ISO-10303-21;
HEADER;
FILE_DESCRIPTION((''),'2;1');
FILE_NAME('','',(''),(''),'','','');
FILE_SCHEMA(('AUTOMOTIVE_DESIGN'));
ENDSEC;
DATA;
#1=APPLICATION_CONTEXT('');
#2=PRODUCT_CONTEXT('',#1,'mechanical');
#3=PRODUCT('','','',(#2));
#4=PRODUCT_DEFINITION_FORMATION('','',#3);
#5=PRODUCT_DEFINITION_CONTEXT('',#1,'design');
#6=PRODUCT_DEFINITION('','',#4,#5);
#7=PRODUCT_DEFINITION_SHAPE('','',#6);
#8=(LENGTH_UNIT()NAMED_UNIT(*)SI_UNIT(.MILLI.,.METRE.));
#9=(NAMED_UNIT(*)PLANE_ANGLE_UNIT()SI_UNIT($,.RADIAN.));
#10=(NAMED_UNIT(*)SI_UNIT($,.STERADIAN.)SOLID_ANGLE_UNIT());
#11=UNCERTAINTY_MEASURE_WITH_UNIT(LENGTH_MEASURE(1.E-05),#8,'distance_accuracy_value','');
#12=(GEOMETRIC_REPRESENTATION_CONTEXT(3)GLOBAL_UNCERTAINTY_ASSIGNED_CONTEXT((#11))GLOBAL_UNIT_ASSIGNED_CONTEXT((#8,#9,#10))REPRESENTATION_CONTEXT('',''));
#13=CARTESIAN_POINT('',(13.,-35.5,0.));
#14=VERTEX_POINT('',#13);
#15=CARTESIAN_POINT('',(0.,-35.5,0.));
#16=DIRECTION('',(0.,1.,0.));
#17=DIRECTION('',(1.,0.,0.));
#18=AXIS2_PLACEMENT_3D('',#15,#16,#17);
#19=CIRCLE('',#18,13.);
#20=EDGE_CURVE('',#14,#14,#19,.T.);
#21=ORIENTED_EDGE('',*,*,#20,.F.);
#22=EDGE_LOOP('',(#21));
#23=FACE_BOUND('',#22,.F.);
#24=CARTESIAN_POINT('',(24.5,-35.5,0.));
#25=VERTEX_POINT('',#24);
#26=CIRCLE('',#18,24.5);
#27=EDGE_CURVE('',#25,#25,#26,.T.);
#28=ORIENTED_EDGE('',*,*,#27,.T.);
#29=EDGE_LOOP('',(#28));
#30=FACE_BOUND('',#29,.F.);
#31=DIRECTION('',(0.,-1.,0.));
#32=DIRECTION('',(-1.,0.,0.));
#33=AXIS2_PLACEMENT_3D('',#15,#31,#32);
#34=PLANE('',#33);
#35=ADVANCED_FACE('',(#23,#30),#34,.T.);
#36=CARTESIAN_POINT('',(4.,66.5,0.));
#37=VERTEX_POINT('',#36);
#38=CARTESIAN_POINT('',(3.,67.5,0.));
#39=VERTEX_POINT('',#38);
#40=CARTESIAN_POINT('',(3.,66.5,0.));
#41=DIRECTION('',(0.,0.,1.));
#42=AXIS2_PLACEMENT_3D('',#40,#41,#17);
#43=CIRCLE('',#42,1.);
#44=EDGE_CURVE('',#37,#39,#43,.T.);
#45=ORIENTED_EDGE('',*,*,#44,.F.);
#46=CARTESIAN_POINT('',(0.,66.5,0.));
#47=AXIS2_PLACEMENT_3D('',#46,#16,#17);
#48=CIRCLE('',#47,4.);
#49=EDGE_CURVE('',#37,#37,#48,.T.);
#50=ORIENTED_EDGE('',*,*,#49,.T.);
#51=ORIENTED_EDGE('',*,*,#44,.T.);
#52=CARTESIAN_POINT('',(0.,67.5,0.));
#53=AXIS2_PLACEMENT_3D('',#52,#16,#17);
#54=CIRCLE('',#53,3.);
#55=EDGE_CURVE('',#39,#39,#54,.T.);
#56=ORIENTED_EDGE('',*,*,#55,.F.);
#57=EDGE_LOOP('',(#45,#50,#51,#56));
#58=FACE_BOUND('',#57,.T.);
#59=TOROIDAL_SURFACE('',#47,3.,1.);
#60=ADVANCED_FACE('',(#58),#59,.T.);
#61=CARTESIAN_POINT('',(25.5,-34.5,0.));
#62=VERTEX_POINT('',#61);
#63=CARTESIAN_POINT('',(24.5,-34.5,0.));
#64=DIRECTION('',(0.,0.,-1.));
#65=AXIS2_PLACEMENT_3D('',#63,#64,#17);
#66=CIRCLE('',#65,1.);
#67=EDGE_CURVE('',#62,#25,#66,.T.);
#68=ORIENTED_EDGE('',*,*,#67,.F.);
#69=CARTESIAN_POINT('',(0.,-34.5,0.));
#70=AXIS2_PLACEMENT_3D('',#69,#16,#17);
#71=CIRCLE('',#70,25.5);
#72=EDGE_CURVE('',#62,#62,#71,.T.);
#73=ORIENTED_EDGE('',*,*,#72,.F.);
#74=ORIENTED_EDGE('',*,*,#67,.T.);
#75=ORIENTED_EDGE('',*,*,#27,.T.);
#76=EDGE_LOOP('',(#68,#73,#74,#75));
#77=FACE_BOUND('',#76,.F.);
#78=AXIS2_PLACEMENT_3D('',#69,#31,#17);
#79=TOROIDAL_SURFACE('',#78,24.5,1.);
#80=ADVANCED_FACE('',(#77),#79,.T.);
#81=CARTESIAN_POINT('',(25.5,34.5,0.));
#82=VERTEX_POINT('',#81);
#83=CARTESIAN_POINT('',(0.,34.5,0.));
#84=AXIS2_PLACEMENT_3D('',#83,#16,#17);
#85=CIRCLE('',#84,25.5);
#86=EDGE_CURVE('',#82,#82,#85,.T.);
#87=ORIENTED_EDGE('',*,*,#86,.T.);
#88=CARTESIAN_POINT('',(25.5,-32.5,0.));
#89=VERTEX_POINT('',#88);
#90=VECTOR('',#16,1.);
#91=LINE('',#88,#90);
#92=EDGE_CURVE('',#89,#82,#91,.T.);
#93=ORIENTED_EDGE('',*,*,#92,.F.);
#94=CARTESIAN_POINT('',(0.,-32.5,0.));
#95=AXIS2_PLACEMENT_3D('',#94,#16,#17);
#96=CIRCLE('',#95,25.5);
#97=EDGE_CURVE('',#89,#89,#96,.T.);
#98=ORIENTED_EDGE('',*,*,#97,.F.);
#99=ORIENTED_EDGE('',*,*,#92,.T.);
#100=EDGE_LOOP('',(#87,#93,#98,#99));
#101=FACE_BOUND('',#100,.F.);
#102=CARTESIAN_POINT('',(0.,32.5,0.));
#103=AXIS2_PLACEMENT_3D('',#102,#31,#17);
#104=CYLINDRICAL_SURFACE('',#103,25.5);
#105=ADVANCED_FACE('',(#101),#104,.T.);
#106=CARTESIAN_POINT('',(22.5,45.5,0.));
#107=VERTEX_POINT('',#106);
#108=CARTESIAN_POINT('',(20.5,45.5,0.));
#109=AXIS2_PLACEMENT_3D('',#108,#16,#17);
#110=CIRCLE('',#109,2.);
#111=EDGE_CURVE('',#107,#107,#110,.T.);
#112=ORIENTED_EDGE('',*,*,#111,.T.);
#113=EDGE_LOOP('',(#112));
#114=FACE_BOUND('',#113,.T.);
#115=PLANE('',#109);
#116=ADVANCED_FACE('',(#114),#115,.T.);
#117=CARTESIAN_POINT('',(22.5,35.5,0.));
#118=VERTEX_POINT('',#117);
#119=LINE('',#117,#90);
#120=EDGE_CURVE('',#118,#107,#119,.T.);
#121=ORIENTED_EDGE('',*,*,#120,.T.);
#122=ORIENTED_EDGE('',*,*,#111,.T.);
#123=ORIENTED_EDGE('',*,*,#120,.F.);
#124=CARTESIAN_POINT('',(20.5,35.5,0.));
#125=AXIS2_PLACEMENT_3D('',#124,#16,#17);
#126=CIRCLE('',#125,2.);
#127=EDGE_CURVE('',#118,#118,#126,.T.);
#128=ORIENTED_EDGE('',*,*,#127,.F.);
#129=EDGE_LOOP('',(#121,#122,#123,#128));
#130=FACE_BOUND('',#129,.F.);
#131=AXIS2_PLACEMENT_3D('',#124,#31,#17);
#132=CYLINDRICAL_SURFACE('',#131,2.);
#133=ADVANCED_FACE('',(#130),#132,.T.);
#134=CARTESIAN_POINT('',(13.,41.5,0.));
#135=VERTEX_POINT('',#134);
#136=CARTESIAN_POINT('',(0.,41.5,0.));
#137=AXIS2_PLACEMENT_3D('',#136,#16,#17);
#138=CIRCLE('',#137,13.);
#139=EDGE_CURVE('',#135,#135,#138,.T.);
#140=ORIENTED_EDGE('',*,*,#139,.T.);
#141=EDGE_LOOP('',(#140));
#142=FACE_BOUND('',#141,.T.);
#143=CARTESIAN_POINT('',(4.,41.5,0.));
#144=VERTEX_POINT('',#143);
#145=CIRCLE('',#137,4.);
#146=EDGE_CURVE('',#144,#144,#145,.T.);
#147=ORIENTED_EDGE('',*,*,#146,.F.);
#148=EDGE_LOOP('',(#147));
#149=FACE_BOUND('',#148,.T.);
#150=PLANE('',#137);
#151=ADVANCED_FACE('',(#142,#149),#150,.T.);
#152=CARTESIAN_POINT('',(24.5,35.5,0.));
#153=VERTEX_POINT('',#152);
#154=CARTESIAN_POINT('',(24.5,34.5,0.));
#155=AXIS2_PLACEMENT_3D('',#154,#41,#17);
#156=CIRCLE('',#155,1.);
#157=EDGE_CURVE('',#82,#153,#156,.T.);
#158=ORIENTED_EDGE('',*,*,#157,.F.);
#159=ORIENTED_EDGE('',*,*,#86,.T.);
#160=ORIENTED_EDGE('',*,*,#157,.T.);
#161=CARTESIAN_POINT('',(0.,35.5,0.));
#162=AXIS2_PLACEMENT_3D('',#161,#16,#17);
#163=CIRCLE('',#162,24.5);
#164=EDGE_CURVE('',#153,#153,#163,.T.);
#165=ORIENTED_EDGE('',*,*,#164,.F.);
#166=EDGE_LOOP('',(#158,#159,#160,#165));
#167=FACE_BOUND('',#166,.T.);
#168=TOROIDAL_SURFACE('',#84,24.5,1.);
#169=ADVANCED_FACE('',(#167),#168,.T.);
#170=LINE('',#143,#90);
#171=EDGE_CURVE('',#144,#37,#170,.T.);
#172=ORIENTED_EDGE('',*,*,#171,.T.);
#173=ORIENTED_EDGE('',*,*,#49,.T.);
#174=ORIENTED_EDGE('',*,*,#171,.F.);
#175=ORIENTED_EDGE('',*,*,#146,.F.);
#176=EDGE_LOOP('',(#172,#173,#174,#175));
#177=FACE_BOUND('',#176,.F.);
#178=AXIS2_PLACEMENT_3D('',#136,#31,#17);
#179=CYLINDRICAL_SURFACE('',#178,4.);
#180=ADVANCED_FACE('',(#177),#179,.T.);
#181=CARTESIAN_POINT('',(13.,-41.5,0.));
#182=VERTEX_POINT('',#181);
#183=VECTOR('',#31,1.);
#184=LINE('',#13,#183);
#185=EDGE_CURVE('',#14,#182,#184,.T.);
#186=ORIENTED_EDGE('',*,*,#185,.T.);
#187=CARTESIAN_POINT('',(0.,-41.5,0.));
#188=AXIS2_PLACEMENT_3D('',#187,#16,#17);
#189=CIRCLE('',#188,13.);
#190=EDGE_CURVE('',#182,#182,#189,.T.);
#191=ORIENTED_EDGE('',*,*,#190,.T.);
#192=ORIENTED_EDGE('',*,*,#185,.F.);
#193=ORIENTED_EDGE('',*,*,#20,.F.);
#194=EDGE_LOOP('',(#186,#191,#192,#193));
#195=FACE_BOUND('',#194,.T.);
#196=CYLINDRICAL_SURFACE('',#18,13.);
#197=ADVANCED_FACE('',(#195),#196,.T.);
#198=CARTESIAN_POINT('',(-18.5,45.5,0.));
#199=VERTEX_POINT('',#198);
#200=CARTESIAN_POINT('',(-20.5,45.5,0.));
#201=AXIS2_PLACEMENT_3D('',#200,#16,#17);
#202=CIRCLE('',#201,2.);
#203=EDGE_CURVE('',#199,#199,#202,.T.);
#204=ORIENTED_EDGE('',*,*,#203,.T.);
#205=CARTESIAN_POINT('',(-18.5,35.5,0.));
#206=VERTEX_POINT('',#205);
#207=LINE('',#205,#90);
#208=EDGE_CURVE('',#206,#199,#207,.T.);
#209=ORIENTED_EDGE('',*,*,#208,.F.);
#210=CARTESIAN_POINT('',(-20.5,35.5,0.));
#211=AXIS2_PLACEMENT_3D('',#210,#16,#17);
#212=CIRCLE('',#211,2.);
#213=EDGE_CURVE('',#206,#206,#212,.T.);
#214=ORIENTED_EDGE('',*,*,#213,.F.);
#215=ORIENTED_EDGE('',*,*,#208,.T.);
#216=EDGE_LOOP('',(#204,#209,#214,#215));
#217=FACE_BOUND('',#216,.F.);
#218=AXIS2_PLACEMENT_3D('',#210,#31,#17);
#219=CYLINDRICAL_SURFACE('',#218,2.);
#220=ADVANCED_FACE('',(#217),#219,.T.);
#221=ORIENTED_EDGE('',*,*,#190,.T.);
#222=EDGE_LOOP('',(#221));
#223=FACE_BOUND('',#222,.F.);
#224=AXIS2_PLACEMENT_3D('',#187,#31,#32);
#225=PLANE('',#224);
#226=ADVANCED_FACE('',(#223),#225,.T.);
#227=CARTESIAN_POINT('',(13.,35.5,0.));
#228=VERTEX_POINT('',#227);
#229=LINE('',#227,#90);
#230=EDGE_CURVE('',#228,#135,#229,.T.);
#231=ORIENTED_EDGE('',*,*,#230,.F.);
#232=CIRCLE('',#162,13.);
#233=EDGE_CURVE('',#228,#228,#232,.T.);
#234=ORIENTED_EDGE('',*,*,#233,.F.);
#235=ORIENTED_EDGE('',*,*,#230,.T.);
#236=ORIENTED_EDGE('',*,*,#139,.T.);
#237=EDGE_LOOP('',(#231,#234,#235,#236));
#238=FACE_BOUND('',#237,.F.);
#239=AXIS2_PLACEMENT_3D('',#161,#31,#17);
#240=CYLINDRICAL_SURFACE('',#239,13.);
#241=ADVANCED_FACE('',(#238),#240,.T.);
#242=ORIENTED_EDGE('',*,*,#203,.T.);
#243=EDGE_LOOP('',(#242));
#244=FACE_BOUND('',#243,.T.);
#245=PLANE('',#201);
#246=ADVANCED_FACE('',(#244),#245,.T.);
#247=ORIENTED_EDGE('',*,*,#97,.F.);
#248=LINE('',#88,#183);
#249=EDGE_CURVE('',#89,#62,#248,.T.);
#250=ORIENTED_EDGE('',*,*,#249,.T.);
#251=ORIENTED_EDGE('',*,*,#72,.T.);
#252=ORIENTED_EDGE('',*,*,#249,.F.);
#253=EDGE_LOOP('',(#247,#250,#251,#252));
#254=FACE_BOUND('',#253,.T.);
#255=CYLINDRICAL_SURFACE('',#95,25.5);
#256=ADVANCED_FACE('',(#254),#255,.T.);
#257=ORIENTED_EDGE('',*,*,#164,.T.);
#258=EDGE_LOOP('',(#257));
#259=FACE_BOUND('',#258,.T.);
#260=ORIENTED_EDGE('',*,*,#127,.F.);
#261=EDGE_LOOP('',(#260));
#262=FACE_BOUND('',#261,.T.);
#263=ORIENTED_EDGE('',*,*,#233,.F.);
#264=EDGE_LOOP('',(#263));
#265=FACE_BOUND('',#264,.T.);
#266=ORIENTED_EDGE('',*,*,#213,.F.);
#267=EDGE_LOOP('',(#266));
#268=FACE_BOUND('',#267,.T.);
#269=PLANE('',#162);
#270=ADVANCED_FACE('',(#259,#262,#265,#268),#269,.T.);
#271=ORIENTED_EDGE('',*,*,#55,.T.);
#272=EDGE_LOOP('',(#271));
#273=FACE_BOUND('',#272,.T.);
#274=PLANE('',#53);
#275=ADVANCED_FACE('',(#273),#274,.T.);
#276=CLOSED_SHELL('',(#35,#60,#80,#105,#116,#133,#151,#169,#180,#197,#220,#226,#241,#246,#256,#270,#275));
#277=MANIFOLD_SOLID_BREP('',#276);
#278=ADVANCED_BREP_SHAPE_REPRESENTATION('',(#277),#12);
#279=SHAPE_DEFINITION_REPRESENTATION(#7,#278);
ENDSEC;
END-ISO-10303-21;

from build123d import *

# Parameters (mm, degrees)
SKETCH2_R            = 25.5
BOSS_EXTRUDE1_DEPTH  = 32.5
SKETCH3_R            = 25.5
BOSS_EXTRUDE2_DEPTH  = 3
FILLET1_R            = 1
SKETCH4_R            = 13
BOSS_EXTRUDE3_DEPTH  = 6
FILLET1_OF_MIRROR1_R = 1
SKETCH5_R            = 4
BOSS_EXTRUDE4_DEPTH  = 26
SKETCH6_R            = 2
BOSS_EXTRUDE5_DEPTH  = 10
FILLET2_R            = 1


with BuildPart() as part:
    # Sketch2 → Boss-Extrude1 (new body, symmetric)
    with BuildSketch(Plane(origin=(0, 0, 0), x_dir=(1, 0, 0), z_dir=(0, 1, 0))):
        Circle(SKETCH2_R)
    extrude(amount=BOSS_EXTRUDE1_DEPTH, both=True)

    # Sketch3 → Boss-Extrude2 (add)
    with BuildSketch(Plane(origin=(0, 32.5, 0), x_dir=(1, 0, 0), z_dir=(0, 1, 0))):
        Circle(SKETCH3_R)
    boss_extrude2 = extrude(amount=BOSS_EXTRUDE2_DEPTH)

    # Fillet1
    fillet1_edges = [part.edges().sort_by_distance(p)[0] for p in [
        (-25.5, 35.5, 0),
    ]]
    fillet(fillet1_edges, radius=FILLET1_R)

    # Sketch4 → Boss-Extrude3 (add)
    with BuildSketch(Plane(origin=(0, 35.5, 0), x_dir=(1, 0, 0), z_dir=(0, 1, 0))):
        Circle(SKETCH4_R)
    boss_extrude3 = extrude(amount=BOSS_EXTRUDE3_DEPTH)

    # Mirror1: Boss-Extrude2, Boss-Extrude3 across plane
    add(boss_extrude2.mirror(Plane.ZX))
    add(boss_extrude3.mirror(Plane.ZX))

    # Fillet1 of Mirror1
    fillet1_of_mirror1_edges = [part.edges().sort_by_distance(p)[0] for p in [
        (-25.5, -35.5, 0),
    ]]
    fillet(fillet1_of_mirror1_edges, radius=FILLET1_OF_MIRROR1_R)

    # Sketch5 → Boss-Extrude4 (add)
    with BuildSketch(Plane(origin=(0, 41.5, 0), x_dir=(1, 0, 0), z_dir=(0, 1, 0))):
        Circle(SKETCH5_R)
    extrude(amount=BOSS_EXTRUDE4_DEPTH)

    # Sketch6 → Boss-Extrude5 (add)
    with BuildSketch(Plane(origin=(0, 35.5, 0), x_dir=(1, 0, 0), z_dir=(0, 1, 0))):
        with Locations((-20.5, 0)):
            Circle(SKETCH6_R)
        with Locations((20.5, 0)):
            Circle(SKETCH6_R)
    extrude(amount=BOSS_EXTRUDE5_DEPTH)

    # Fillet2
    fillet2_edges = [part.edges().sort_by_distance(p)[0] for p in [
        (-4, 67.5, 0),
    ]]
    fillet(fillet2_edges, radius=FILLET2_R)


solid = part.part
